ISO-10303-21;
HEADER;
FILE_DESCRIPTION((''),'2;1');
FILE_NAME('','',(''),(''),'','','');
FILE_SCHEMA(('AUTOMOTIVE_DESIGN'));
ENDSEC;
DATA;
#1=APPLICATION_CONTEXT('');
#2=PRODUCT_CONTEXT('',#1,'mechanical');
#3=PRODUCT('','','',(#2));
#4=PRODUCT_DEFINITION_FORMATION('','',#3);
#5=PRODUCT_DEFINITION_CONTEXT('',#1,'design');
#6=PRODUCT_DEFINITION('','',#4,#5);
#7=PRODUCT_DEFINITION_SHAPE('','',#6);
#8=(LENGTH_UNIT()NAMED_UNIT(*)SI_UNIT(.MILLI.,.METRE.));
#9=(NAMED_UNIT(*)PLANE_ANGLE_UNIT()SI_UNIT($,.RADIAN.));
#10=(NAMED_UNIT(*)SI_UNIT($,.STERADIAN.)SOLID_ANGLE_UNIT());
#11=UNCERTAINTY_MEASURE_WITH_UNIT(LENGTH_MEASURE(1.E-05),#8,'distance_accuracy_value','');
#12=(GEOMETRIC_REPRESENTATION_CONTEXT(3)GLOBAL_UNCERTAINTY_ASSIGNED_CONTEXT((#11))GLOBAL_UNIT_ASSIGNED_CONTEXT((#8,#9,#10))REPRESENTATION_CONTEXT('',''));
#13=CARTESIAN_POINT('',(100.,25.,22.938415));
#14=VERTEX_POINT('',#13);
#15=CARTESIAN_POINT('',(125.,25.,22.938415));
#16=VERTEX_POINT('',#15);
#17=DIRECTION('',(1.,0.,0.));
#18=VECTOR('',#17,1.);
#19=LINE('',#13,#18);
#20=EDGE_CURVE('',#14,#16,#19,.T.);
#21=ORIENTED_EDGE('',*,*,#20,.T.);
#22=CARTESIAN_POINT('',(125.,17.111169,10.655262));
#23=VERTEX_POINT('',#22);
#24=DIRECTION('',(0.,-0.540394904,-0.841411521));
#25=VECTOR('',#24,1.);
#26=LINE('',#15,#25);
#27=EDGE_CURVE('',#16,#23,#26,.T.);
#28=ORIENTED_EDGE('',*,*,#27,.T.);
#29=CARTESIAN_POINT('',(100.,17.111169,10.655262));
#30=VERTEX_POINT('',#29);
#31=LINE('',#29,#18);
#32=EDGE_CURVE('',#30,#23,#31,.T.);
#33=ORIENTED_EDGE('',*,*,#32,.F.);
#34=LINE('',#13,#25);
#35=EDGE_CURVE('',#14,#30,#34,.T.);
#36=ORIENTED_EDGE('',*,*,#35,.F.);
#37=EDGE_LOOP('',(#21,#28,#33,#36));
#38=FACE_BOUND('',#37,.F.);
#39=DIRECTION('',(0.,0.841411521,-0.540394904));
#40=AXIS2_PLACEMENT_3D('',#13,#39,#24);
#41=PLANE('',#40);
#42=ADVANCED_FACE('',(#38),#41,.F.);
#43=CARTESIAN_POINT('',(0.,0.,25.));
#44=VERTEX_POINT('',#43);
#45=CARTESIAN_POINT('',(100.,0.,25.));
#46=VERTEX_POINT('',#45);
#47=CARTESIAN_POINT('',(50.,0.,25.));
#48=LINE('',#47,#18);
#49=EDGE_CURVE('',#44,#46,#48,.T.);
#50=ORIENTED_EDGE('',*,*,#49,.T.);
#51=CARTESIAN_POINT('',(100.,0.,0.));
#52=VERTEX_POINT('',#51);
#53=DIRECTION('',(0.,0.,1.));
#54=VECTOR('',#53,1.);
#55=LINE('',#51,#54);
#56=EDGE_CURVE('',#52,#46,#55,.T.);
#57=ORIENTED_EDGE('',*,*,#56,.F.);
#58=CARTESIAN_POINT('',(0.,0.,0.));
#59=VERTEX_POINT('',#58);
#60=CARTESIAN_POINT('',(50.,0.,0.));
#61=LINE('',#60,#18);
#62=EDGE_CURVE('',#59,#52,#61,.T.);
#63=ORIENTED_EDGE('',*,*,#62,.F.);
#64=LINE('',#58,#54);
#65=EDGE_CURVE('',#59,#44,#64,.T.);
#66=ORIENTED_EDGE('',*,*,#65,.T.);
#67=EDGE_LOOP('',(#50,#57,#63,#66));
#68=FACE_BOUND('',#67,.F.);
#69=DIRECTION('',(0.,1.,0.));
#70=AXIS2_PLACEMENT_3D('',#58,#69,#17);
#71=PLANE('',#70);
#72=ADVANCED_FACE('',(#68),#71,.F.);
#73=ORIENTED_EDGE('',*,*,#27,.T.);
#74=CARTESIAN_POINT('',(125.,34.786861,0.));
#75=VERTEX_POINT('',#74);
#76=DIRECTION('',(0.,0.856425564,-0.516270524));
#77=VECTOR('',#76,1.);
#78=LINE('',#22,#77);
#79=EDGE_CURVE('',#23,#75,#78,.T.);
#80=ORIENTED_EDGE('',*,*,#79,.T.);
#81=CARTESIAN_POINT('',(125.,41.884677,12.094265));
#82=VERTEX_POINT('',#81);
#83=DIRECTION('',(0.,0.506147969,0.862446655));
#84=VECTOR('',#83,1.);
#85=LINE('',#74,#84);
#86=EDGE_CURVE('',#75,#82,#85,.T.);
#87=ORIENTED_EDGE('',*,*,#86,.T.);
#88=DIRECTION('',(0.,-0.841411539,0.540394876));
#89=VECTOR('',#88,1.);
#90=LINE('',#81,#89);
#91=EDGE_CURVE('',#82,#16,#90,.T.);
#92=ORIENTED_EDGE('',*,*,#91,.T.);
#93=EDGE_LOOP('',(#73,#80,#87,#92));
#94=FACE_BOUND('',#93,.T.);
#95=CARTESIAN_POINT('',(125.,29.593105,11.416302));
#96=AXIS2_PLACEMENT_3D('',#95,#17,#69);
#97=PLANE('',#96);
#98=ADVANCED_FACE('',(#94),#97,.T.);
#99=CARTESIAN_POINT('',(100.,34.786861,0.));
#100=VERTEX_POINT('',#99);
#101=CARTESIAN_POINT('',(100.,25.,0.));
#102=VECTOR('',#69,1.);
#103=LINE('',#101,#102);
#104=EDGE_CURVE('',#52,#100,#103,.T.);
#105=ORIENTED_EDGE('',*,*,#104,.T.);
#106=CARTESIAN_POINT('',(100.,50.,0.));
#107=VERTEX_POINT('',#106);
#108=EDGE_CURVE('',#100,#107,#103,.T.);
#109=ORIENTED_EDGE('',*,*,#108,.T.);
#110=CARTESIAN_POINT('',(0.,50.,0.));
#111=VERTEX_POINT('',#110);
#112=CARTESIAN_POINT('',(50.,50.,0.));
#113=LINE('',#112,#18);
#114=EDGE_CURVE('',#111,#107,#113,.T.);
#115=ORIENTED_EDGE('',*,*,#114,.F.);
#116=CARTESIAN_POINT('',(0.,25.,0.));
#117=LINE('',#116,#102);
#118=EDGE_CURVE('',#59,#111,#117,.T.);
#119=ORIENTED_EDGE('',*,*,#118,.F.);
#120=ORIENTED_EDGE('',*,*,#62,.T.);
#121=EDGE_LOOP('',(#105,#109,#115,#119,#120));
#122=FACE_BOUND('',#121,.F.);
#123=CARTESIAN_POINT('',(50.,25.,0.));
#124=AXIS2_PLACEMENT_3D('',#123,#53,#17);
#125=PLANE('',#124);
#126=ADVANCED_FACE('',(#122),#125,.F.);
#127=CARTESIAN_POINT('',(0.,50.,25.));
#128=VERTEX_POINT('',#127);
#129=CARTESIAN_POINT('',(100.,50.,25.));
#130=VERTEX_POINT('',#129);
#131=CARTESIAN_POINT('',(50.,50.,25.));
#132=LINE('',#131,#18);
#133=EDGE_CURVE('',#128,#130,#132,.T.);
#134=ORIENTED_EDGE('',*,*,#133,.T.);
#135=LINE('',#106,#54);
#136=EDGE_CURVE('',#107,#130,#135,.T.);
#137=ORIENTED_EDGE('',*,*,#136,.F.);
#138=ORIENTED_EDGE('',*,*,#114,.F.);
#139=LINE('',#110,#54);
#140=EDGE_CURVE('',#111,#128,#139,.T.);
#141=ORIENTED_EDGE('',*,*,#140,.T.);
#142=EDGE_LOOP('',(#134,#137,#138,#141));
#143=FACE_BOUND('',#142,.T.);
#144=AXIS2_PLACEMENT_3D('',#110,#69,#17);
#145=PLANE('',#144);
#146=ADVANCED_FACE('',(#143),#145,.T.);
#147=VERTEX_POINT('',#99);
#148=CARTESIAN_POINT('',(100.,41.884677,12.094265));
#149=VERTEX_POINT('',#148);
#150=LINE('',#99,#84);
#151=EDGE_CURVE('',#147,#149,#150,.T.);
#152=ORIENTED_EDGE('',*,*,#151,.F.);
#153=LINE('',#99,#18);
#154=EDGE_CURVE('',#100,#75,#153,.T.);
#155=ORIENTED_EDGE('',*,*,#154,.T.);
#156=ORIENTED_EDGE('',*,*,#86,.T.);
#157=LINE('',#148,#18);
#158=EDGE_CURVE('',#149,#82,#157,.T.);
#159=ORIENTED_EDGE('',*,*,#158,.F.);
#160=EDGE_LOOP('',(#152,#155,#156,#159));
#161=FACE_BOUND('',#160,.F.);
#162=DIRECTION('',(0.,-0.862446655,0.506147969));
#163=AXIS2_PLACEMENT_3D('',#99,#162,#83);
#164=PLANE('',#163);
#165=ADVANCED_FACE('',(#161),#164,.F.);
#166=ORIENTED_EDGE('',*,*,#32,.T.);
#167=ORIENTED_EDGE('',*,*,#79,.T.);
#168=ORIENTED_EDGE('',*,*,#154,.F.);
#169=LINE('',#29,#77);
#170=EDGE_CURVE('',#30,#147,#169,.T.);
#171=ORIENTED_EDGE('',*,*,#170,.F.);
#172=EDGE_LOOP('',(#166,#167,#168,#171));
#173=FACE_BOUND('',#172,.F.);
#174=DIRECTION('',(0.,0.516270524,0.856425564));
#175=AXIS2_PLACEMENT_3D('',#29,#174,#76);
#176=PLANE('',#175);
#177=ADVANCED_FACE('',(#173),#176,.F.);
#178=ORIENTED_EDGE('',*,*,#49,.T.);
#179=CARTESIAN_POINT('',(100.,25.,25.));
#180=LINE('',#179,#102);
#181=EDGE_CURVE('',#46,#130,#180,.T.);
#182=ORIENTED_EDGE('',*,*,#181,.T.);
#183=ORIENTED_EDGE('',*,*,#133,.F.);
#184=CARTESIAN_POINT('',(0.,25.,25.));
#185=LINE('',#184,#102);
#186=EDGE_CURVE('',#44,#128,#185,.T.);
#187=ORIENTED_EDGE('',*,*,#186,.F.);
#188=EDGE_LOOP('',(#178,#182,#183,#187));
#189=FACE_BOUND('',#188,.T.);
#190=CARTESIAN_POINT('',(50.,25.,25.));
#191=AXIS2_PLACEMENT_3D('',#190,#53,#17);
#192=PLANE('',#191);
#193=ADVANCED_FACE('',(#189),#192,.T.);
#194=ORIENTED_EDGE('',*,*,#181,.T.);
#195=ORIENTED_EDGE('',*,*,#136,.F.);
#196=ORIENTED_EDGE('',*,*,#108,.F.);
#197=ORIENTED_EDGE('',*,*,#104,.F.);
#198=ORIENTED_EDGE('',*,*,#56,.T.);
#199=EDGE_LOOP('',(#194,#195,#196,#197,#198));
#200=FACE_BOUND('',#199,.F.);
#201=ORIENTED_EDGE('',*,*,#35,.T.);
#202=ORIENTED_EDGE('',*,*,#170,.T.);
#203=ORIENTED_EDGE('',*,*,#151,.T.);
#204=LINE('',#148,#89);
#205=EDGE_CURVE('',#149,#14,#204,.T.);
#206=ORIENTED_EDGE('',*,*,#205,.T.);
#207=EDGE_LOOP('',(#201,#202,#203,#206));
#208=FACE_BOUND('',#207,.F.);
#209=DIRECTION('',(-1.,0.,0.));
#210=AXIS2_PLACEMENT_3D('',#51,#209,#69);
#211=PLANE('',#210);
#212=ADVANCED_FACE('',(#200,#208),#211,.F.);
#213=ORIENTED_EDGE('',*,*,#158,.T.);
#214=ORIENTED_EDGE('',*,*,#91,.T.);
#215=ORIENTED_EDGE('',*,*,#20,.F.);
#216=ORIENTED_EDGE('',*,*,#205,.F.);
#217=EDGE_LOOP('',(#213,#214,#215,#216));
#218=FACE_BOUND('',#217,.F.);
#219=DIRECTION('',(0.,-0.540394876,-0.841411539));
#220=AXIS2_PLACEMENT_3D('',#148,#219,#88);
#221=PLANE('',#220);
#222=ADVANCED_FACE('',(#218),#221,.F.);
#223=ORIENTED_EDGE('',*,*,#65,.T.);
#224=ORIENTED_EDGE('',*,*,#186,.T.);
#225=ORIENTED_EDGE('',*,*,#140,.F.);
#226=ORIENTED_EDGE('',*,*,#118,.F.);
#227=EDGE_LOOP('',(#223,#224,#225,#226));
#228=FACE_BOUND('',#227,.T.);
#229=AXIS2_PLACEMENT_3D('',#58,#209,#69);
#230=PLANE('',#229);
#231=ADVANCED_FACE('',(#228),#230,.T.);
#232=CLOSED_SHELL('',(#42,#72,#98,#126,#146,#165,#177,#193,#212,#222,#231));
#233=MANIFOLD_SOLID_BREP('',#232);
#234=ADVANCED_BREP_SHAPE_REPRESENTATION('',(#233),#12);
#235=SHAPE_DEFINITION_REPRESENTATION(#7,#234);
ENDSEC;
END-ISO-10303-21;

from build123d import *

# Parameters (mm, degrees)
F0_W     = 100
F0_H     = 50
F1_DEPTH = 25
F3_DEPTH = 25


with BuildPart() as f1:
    # F0 (on Top) → F1 (new body)
    with BuildSketch(Plane.XY):
        with Locations((50, 25)):
            Rectangle(F0_W, F0_H)
    extrude(amount=F1_DEPTH)

    # F2 (on face) → F3 (join)
    with BuildSketch(Plane.YZ.offset(100)):
        Polygon((25, 22.938415), (17.111169, 10.655262), (34.786861, 0), (41.884677, 12.094265), align=None)
    extrude(amount=F3_DEPTH)


solid = f1.part
